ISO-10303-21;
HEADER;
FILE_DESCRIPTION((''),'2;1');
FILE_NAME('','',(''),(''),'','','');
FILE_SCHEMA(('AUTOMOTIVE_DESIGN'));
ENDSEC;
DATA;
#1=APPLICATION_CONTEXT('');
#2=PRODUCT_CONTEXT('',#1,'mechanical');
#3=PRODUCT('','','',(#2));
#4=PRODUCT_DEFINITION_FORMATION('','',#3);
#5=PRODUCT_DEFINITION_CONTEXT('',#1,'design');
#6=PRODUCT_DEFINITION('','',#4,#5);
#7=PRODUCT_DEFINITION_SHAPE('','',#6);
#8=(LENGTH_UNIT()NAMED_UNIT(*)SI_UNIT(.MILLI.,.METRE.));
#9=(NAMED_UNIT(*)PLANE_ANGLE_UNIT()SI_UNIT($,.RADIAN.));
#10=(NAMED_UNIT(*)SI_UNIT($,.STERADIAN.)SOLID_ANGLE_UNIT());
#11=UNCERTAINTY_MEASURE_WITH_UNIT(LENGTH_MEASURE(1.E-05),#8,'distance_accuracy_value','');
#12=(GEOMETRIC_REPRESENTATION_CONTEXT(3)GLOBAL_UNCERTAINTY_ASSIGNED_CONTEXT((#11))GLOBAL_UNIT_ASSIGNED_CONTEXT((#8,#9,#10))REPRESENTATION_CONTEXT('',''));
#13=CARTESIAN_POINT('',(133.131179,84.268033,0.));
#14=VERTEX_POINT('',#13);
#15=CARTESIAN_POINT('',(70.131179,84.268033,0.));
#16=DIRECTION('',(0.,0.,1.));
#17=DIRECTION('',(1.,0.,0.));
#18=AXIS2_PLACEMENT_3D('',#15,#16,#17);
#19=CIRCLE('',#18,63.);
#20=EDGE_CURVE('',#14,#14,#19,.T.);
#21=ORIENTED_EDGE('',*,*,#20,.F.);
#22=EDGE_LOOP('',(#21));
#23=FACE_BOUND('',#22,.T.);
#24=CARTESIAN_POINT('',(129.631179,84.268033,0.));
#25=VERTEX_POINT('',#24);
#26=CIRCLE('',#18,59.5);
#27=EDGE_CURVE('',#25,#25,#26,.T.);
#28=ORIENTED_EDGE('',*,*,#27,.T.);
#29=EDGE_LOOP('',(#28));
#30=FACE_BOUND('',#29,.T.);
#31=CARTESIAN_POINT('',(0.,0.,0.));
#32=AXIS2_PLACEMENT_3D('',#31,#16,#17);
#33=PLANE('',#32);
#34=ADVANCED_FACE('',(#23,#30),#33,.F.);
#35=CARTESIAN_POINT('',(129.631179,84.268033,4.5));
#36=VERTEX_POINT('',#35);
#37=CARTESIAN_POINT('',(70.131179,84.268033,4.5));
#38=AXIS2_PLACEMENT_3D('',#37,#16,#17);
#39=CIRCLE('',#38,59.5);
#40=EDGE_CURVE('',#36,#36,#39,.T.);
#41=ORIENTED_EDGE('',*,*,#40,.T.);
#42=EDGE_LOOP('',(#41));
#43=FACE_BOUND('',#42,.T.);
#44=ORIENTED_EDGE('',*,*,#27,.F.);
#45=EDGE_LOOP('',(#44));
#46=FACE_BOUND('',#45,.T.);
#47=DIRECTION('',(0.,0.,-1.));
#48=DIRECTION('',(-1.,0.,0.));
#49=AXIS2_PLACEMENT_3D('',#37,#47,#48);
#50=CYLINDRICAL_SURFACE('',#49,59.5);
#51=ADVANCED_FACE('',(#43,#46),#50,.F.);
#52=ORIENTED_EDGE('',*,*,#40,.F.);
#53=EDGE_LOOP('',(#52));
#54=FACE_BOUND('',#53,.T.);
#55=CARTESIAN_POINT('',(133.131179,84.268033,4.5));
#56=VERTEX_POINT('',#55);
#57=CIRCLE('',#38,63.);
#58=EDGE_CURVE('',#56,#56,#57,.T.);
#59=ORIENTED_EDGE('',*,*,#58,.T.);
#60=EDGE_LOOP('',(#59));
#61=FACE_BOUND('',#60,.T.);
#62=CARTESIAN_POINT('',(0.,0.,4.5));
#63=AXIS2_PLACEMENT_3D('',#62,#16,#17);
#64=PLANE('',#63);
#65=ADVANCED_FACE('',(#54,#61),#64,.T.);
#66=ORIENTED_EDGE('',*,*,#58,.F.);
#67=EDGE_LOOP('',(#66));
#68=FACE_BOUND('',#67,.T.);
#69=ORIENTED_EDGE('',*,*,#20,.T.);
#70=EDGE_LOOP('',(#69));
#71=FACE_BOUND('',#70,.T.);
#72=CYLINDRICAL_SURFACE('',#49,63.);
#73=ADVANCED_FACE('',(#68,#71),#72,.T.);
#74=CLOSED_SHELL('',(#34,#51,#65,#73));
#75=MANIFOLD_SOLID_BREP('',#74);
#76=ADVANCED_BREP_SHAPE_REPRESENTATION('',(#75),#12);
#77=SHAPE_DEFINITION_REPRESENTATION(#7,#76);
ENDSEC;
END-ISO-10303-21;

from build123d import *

# Parameters (mm, degrees)
SKETCH1_R           = 63
SKETCH1_R_2         = 59.5
BOSS_EXTRUDE2_DEPTH = 4.5


with BuildPart() as part:
    # Sketch1 → Boss-Extrude2 (new body)
    with BuildSketch(Plane.XY):
        with Locations((70.131179234, 84.268032687)):
            Circle(SKETCH1_R)
        with Locations((70.131179234, 84.268032687)):
            Circle(SKETCH1_R_2, mode=Mode.SUBTRACT)
    extrude(amount=BOSS_EXTRUDE2_DEPTH)


solid = part.part
